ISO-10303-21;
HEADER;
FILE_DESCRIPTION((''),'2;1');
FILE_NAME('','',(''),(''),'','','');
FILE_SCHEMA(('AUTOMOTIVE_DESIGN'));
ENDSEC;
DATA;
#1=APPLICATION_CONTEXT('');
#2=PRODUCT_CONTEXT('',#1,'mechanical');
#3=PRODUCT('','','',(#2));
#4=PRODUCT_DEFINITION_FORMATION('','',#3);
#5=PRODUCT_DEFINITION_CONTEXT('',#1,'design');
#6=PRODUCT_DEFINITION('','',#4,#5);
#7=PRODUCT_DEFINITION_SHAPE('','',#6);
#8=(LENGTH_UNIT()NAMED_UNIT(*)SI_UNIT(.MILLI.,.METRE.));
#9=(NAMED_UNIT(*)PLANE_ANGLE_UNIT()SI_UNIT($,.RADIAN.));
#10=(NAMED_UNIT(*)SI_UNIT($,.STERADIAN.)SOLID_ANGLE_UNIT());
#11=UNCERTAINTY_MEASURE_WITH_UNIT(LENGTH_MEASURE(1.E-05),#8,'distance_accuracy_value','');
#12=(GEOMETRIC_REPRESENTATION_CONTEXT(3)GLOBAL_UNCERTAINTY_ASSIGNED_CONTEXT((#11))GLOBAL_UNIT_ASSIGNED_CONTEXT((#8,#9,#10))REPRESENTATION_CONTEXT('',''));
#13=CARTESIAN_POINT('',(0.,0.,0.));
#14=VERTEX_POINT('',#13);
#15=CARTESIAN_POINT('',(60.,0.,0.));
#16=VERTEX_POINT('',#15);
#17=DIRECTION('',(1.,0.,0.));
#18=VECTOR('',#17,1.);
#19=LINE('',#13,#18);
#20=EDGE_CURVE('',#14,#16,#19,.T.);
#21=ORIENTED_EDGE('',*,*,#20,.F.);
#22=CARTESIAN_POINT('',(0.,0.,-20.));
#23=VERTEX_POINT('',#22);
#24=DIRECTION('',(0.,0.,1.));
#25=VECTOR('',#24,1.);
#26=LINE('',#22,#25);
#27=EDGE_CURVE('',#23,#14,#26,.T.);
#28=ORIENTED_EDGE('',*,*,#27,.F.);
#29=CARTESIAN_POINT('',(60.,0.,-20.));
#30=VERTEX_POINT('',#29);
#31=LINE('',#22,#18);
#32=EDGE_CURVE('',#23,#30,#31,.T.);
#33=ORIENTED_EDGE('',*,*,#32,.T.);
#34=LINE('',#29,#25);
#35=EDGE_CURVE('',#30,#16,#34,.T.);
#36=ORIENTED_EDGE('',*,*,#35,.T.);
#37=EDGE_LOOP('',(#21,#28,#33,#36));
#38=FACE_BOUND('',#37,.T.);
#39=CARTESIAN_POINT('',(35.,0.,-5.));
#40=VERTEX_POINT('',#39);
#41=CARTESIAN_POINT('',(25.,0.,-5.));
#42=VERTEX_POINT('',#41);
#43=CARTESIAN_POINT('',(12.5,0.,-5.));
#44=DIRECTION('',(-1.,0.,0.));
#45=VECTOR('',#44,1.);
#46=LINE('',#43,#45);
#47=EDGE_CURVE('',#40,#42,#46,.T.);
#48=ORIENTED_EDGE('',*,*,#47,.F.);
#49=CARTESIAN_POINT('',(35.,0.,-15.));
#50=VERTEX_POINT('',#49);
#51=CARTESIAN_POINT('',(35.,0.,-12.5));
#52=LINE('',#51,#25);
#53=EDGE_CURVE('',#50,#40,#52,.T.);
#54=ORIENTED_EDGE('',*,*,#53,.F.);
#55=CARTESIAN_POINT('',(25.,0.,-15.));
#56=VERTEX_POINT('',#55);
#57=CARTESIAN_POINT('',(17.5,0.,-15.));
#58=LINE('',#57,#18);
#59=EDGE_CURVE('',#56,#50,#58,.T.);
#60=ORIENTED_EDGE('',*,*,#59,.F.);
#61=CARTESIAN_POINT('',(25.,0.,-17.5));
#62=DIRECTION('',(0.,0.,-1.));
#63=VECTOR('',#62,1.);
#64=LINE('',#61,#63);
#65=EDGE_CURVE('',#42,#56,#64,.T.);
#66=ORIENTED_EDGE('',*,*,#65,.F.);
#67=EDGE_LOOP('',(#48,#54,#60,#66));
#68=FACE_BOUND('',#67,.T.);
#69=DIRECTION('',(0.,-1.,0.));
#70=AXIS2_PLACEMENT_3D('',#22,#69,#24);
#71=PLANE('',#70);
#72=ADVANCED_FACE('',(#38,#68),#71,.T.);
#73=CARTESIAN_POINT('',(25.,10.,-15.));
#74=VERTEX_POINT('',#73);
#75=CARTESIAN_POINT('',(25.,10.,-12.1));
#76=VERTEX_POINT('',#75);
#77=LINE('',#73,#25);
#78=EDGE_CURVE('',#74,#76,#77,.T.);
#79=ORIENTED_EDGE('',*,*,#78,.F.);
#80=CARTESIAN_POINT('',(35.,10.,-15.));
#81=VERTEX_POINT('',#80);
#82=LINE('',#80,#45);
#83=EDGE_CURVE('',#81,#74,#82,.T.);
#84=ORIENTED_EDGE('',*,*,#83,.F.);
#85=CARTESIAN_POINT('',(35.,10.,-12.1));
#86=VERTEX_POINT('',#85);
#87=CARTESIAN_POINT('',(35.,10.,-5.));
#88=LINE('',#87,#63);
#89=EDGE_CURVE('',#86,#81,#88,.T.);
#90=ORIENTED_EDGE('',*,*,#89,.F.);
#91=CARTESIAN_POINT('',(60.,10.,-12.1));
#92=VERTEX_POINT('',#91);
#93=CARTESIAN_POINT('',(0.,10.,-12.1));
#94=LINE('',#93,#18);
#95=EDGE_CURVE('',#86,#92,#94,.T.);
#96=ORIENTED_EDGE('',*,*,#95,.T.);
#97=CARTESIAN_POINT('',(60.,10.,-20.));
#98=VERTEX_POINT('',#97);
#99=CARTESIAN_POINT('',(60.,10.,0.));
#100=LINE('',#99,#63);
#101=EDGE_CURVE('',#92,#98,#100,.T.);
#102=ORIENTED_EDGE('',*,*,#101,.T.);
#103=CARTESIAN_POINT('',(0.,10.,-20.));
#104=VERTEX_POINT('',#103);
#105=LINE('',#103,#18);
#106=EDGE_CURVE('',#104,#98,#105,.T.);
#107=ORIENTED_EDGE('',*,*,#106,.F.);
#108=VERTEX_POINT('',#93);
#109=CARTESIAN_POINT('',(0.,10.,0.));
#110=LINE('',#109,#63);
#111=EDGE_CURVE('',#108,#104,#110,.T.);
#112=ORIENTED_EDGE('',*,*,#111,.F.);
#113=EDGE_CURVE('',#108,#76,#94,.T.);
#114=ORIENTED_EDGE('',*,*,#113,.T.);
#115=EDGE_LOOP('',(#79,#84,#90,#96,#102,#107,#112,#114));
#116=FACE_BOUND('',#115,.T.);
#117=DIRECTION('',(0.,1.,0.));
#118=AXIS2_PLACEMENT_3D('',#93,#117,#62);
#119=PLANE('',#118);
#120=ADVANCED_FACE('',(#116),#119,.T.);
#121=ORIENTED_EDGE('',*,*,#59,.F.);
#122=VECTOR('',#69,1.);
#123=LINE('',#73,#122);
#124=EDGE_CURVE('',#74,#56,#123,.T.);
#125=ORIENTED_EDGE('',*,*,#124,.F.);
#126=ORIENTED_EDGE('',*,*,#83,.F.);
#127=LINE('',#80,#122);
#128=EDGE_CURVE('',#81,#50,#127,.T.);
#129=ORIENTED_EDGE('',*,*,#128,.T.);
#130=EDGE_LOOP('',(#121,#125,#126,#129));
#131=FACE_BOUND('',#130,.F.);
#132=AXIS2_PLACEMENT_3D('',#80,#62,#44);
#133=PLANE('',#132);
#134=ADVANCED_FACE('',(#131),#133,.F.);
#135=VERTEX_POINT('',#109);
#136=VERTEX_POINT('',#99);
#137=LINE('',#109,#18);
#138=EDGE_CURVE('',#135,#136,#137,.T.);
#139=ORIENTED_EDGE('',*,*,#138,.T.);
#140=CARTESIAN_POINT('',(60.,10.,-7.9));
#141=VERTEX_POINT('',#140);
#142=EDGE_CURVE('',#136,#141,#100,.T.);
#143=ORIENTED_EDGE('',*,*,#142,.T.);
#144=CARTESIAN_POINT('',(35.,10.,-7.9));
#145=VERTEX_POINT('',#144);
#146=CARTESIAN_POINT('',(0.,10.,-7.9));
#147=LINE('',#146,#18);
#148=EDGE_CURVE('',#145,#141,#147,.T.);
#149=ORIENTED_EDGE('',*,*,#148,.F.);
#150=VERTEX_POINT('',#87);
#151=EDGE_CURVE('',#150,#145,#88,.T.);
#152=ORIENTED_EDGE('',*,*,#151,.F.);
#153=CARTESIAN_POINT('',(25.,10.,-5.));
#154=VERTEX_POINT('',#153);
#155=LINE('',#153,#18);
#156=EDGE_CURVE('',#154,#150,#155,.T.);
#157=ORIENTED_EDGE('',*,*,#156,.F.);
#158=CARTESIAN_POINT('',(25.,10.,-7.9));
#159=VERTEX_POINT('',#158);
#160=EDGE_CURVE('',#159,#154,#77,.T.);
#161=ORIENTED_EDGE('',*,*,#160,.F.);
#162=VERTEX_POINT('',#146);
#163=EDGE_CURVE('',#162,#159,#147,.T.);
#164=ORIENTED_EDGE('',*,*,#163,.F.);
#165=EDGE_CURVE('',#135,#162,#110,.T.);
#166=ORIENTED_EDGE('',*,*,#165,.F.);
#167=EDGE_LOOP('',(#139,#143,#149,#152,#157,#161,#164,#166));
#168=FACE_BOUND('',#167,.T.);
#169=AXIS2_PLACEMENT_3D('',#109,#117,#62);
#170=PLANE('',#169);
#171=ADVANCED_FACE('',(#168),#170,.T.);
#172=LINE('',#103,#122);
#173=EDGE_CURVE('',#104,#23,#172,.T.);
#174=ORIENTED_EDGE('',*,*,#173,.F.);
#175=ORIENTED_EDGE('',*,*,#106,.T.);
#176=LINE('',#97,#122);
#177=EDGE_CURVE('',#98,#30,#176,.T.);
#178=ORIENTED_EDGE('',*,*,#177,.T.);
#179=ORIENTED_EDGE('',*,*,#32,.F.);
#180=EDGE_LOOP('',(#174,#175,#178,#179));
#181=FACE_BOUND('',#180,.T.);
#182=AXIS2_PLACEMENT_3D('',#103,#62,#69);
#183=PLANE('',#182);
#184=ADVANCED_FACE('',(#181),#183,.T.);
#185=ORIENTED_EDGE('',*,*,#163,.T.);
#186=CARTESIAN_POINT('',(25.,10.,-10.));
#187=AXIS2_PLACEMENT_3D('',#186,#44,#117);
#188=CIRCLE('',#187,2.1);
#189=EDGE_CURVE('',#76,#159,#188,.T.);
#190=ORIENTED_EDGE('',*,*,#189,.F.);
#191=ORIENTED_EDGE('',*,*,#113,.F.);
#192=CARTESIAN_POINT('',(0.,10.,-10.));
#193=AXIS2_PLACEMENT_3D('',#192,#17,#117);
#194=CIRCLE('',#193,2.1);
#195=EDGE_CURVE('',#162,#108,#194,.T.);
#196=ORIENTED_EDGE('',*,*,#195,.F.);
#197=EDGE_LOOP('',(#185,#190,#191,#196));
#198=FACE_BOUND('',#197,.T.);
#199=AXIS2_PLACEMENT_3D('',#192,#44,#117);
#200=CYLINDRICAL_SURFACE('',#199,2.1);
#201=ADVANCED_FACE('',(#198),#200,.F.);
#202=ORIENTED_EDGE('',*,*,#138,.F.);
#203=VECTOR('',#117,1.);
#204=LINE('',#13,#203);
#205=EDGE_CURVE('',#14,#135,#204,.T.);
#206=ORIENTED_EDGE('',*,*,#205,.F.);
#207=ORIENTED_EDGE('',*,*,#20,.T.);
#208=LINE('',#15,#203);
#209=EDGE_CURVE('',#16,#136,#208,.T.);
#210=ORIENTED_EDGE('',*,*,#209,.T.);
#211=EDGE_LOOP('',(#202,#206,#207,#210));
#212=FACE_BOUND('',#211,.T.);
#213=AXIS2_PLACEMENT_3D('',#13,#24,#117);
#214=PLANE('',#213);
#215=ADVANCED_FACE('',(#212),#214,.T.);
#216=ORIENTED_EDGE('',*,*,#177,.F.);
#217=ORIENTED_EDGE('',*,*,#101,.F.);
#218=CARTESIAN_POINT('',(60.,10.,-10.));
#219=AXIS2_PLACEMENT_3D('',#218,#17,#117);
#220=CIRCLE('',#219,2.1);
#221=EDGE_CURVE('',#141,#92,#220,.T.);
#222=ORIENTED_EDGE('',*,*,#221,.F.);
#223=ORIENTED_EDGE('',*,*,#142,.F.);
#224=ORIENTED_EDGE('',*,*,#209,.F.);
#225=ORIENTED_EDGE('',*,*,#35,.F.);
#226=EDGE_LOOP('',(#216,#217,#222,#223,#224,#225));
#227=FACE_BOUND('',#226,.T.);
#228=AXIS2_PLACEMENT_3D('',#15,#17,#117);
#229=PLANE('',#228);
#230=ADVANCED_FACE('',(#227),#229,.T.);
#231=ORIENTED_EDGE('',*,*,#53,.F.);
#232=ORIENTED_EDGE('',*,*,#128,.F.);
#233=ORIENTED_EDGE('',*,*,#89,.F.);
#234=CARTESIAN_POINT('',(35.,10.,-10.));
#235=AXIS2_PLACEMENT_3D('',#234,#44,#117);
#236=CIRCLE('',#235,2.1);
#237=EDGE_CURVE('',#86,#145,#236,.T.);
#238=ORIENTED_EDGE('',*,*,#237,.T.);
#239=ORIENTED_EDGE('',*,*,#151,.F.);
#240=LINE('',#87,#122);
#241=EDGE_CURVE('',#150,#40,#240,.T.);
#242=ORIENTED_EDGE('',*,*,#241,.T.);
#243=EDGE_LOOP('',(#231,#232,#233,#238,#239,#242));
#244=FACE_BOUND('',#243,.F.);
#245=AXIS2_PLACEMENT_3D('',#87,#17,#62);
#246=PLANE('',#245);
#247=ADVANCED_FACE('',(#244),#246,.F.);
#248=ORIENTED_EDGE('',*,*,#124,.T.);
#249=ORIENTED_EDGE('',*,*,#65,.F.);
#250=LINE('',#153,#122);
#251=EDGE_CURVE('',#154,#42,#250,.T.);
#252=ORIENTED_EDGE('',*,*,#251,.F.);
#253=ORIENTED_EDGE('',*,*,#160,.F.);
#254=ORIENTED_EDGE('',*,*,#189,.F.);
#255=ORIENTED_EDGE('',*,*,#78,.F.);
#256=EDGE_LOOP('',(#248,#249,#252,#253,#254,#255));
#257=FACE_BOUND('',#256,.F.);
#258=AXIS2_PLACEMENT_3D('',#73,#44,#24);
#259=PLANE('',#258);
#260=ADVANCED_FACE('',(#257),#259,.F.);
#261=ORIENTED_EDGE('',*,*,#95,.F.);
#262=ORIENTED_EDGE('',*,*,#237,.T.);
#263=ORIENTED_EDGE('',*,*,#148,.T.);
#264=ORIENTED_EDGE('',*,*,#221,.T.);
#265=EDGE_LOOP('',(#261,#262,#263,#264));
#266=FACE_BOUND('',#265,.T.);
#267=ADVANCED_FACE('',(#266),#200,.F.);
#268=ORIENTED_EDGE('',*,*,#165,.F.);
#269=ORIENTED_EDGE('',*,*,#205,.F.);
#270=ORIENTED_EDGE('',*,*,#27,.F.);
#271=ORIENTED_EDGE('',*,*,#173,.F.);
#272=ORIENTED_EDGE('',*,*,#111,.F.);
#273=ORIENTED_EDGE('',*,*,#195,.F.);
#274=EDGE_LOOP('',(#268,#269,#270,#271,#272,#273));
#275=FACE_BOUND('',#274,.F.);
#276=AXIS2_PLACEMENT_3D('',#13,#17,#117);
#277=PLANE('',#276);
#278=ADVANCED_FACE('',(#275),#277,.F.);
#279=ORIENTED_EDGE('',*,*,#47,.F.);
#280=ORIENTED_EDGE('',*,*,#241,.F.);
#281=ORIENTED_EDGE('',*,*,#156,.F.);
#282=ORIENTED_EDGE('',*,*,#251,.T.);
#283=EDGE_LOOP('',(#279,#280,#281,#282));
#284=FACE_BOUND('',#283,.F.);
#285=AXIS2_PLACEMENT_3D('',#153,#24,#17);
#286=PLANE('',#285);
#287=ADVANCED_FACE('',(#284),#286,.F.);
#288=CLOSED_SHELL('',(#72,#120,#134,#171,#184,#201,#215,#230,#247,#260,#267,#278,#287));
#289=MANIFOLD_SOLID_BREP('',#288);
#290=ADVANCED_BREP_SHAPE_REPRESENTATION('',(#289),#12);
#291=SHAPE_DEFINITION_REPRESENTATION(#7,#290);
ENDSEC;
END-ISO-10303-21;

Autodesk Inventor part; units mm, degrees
ref_plane "YZ Plane" through (0, 0, 0) normal (1, 0, 0) x (0, 1, 0)
ref_plane "XZ Plane" through (0, 0, 0) normal (0, 1, 0) x (-1, 0, 0)
ref_plane "XY Plane" through (0, 0, 0) normal (0, 0, 1) x (1, 0, 0)
sketch "スケッチ1" plane through (0, 0, 0) normal (1, 0, 0) x (0, 1, 0)
  line L0 (0, 0) -> (10, 0)
  line L1 (10, 0) -> (10, -20)
  line L2 (10, -20) -> (0, -20)
  line L3 (0, -20) -> (0, 0)
  circle A0 centre (10, -10) radius 2.1
  point P0 (10, -12.1)
  point P1 (10, -7.9)
  dimension "d0" = 10
  dimension "d1" = 20
  dimension "d2" = 4.2
  dimension "d3" = 10
  dimension "d4" = 0
extrude "押し出し1" add sketch "スケッチ1" along normal blind 60 contours L0 L1 A0 L2 L3
sketch "スケッチ2" plane through (0, 10, -12.1) normal (0, 1, 0) x (1, 0, 0)
  line L0 (25, -7.1) -> (35, -7.1)
  line L1 (35, -7.1) -> (35, 2.9)
  line L2 (35, 2.9) -> (25, 2.9)
  line L3 (25, 2.9) -> (25, -7.1)
  line L4 (0, 7.9) -> (0, 0) projected
  line L5 (0, -12.1) -> (60, -12.1) projected
  dimension "d7" = 10
  dimension "d8" = 10
  dimension "d9" = 25
  dimension "d10" = 5
extrude "押し出し2" cut sketch "スケッチ2" against normal through all
properties part number "ball_loading_v1_3DP-circle_belt_zig" material "ABS プラスチック"
